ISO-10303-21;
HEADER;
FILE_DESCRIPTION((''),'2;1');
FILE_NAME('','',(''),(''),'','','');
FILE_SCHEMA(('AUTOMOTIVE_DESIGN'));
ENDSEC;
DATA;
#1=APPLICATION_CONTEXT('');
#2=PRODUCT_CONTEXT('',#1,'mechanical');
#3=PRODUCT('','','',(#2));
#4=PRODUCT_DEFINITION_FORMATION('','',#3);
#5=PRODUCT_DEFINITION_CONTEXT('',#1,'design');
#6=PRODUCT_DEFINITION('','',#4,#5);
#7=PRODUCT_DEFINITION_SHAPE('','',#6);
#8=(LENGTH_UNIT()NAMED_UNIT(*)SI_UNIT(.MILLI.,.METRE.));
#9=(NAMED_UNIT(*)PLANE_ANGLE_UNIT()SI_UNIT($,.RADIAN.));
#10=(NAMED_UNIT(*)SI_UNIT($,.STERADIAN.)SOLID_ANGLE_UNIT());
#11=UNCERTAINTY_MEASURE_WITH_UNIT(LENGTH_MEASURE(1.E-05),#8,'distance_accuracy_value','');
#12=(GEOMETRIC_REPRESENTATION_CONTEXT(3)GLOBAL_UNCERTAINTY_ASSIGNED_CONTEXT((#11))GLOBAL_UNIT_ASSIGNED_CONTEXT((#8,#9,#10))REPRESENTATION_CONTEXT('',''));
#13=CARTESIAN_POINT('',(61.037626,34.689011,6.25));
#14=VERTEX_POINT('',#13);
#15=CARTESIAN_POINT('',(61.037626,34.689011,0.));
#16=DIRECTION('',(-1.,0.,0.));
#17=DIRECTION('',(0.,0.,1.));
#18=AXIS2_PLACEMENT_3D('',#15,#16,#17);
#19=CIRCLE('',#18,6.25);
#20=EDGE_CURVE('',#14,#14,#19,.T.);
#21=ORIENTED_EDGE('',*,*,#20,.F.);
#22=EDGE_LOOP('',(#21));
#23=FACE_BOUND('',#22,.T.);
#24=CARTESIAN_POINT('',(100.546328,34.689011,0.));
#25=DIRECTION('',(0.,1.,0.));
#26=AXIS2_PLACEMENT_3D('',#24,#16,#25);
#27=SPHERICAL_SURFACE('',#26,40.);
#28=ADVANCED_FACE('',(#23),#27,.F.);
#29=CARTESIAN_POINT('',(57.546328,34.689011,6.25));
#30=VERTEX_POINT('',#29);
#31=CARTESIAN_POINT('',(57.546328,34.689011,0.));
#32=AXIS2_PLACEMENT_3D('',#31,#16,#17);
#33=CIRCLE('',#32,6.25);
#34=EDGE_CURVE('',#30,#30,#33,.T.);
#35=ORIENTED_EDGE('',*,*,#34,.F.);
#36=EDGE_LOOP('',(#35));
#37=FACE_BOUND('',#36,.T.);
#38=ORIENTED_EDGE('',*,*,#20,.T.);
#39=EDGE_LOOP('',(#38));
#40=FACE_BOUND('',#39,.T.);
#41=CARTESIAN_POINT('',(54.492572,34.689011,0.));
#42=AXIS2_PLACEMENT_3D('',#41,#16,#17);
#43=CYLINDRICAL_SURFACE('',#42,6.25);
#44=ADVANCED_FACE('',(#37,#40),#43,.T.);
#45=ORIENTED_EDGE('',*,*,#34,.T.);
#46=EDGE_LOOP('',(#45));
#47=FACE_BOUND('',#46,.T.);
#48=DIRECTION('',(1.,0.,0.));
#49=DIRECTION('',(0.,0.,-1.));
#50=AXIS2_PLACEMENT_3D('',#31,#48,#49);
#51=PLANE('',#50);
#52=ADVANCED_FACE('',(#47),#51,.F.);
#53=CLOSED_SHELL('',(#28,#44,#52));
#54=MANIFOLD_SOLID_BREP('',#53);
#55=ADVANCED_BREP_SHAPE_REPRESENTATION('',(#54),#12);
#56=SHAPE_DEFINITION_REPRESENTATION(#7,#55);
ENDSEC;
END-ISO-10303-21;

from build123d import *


with BuildPart() as part:
    # 草图1 → 旋转1 (revolve)
    with BuildSketch(Plane.XY):
        with BuildLine():
            Line((57.546327767, 34.689010562), (57.546327767, 40.939010562))
            Line((57.546327767, 40.939010562), (61.037626196, 40.939010562))
            ThreePointArc((61.037626196, 40.939010562), (60.66934153, 37.823650658), (60.546327769, 34.689010562))
            Line((60.546327769, 34.689010562), (57.546327767, 34.689010562))
        make_face()
    revolve(axis=Axis((54.492571501, 34.689010562, 0), (1, 0, 0)))


solid = part.part
